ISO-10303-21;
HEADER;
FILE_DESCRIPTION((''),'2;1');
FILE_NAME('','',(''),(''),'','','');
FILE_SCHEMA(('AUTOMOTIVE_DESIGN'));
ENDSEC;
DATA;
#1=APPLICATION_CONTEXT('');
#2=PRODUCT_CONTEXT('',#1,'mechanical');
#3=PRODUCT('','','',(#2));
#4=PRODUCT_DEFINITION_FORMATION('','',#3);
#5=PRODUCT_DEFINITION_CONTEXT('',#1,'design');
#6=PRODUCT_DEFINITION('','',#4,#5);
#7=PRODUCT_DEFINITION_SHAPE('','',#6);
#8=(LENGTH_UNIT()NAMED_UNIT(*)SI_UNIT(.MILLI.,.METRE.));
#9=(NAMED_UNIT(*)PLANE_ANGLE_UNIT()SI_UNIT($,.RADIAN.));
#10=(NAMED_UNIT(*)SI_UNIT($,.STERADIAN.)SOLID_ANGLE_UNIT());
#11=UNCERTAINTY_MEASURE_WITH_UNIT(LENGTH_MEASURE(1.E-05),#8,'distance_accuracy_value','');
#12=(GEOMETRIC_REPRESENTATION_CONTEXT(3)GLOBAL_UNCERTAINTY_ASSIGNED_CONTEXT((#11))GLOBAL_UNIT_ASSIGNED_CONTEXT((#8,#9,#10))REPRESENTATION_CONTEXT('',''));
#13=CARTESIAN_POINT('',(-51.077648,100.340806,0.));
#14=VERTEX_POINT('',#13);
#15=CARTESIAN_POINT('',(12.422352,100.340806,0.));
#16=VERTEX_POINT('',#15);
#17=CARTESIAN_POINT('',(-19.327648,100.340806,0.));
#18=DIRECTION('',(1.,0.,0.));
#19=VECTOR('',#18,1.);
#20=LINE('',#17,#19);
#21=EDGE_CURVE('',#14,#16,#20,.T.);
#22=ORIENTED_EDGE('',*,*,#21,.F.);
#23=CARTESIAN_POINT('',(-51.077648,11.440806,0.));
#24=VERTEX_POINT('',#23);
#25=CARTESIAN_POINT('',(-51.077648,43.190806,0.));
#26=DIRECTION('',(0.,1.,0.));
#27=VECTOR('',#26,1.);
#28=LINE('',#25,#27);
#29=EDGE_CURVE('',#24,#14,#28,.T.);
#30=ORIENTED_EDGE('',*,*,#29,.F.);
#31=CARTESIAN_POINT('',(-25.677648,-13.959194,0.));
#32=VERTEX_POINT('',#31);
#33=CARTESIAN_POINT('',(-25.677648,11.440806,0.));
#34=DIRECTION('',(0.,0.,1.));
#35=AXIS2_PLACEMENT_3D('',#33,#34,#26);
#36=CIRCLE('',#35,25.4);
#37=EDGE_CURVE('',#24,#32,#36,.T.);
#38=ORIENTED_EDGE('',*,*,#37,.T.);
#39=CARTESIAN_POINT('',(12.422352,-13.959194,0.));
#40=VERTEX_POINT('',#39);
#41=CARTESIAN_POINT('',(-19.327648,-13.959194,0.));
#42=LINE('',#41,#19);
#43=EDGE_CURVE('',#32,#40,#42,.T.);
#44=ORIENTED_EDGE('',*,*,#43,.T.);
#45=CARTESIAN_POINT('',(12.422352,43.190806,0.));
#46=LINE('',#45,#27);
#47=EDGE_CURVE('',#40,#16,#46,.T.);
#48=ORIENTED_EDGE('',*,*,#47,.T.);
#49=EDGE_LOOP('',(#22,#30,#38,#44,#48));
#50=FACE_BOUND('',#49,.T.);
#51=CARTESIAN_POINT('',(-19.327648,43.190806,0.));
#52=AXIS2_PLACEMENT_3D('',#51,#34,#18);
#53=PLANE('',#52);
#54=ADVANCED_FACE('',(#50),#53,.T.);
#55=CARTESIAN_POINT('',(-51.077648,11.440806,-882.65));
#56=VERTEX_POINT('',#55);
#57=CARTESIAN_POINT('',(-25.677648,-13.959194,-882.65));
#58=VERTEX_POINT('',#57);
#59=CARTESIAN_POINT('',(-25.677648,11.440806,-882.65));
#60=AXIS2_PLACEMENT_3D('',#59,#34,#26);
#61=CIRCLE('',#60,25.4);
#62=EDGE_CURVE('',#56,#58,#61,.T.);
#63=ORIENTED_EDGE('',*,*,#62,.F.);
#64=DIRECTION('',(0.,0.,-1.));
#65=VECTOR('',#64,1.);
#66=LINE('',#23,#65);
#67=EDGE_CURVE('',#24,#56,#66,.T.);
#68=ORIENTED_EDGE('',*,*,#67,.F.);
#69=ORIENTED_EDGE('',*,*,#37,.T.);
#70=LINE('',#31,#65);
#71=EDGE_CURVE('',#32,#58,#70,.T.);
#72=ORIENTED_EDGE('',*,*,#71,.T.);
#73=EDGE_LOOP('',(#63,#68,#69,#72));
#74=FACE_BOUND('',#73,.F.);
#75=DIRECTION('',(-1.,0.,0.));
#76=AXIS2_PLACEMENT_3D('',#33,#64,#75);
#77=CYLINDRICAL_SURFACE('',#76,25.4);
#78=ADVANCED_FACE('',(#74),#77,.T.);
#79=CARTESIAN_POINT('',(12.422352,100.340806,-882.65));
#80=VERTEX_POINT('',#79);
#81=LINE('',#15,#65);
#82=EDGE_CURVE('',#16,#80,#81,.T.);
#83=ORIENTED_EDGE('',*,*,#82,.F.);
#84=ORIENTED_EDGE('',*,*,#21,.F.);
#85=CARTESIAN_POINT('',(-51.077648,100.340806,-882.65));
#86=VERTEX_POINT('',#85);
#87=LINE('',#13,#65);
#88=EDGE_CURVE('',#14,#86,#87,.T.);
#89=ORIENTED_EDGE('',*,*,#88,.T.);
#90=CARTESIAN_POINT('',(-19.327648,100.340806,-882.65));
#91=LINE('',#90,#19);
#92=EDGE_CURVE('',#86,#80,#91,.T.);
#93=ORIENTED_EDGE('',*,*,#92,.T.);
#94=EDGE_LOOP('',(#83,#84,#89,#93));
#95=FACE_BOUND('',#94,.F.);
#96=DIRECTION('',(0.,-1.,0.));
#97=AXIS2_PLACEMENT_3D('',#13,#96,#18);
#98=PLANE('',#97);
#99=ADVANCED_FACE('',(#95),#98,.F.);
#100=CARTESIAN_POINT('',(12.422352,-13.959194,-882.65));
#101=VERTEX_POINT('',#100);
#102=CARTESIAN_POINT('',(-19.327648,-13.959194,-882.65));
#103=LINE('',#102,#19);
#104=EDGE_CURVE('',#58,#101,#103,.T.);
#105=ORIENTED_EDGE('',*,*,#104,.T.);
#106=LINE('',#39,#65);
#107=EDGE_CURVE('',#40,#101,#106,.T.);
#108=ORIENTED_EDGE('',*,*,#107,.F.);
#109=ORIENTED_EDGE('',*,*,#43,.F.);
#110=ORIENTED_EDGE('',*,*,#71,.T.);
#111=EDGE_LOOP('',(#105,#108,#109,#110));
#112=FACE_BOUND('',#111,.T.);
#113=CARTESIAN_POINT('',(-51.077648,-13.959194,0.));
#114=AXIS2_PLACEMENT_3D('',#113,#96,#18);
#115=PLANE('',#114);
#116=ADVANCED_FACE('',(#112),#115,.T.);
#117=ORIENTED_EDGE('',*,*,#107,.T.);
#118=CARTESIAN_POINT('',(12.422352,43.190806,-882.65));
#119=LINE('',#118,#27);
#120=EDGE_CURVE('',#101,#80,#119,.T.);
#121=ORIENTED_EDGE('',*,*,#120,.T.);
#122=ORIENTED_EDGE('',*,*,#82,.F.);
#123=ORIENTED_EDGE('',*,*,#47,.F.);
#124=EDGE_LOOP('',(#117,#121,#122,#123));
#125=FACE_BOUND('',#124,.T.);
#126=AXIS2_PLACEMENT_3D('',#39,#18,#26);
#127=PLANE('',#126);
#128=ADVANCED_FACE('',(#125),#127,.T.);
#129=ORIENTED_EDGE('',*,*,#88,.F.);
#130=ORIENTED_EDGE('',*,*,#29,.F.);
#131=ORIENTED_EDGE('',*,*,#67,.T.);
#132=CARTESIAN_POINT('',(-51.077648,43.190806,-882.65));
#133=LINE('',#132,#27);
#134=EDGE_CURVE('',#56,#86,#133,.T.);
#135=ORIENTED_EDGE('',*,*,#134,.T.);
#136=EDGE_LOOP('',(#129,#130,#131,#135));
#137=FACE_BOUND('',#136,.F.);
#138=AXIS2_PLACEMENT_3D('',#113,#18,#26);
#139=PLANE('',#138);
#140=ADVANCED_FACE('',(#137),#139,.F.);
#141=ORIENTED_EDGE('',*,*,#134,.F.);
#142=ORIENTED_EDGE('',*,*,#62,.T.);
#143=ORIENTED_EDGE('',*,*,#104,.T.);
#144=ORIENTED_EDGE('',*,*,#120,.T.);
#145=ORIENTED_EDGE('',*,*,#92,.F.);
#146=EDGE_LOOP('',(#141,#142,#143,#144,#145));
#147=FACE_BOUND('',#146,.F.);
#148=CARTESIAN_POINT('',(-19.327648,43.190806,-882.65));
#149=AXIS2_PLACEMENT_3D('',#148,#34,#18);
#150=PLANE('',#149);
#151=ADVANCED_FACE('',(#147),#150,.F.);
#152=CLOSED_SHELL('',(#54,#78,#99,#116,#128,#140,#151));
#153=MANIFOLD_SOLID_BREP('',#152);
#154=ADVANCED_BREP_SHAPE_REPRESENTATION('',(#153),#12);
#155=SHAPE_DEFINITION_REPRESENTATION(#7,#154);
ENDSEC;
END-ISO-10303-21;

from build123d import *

# Parameters (mm, degrees)
F0_W     = 63.5
F0_H     = 114.3
F1_DEPTH = 882.65
F2_R     = 25.4


with BuildPart() as f1:
    # F0 (on Top) → F1 (new body)
    with BuildSketch(Plane.XY):
        with Locations((-19.327648, 43.190806)):
            Rectangle(F0_W, F0_H)
    extrude(amount=-F1_DEPTH)

    # F2
    f2_edges = [f1.edges().sort_by_distance(p)[0] for p in [
        (-51.077648, -13.959194, -441.325),
    ]]
    fillet(f2_edges, radius=F2_R)


solid = f1.part
